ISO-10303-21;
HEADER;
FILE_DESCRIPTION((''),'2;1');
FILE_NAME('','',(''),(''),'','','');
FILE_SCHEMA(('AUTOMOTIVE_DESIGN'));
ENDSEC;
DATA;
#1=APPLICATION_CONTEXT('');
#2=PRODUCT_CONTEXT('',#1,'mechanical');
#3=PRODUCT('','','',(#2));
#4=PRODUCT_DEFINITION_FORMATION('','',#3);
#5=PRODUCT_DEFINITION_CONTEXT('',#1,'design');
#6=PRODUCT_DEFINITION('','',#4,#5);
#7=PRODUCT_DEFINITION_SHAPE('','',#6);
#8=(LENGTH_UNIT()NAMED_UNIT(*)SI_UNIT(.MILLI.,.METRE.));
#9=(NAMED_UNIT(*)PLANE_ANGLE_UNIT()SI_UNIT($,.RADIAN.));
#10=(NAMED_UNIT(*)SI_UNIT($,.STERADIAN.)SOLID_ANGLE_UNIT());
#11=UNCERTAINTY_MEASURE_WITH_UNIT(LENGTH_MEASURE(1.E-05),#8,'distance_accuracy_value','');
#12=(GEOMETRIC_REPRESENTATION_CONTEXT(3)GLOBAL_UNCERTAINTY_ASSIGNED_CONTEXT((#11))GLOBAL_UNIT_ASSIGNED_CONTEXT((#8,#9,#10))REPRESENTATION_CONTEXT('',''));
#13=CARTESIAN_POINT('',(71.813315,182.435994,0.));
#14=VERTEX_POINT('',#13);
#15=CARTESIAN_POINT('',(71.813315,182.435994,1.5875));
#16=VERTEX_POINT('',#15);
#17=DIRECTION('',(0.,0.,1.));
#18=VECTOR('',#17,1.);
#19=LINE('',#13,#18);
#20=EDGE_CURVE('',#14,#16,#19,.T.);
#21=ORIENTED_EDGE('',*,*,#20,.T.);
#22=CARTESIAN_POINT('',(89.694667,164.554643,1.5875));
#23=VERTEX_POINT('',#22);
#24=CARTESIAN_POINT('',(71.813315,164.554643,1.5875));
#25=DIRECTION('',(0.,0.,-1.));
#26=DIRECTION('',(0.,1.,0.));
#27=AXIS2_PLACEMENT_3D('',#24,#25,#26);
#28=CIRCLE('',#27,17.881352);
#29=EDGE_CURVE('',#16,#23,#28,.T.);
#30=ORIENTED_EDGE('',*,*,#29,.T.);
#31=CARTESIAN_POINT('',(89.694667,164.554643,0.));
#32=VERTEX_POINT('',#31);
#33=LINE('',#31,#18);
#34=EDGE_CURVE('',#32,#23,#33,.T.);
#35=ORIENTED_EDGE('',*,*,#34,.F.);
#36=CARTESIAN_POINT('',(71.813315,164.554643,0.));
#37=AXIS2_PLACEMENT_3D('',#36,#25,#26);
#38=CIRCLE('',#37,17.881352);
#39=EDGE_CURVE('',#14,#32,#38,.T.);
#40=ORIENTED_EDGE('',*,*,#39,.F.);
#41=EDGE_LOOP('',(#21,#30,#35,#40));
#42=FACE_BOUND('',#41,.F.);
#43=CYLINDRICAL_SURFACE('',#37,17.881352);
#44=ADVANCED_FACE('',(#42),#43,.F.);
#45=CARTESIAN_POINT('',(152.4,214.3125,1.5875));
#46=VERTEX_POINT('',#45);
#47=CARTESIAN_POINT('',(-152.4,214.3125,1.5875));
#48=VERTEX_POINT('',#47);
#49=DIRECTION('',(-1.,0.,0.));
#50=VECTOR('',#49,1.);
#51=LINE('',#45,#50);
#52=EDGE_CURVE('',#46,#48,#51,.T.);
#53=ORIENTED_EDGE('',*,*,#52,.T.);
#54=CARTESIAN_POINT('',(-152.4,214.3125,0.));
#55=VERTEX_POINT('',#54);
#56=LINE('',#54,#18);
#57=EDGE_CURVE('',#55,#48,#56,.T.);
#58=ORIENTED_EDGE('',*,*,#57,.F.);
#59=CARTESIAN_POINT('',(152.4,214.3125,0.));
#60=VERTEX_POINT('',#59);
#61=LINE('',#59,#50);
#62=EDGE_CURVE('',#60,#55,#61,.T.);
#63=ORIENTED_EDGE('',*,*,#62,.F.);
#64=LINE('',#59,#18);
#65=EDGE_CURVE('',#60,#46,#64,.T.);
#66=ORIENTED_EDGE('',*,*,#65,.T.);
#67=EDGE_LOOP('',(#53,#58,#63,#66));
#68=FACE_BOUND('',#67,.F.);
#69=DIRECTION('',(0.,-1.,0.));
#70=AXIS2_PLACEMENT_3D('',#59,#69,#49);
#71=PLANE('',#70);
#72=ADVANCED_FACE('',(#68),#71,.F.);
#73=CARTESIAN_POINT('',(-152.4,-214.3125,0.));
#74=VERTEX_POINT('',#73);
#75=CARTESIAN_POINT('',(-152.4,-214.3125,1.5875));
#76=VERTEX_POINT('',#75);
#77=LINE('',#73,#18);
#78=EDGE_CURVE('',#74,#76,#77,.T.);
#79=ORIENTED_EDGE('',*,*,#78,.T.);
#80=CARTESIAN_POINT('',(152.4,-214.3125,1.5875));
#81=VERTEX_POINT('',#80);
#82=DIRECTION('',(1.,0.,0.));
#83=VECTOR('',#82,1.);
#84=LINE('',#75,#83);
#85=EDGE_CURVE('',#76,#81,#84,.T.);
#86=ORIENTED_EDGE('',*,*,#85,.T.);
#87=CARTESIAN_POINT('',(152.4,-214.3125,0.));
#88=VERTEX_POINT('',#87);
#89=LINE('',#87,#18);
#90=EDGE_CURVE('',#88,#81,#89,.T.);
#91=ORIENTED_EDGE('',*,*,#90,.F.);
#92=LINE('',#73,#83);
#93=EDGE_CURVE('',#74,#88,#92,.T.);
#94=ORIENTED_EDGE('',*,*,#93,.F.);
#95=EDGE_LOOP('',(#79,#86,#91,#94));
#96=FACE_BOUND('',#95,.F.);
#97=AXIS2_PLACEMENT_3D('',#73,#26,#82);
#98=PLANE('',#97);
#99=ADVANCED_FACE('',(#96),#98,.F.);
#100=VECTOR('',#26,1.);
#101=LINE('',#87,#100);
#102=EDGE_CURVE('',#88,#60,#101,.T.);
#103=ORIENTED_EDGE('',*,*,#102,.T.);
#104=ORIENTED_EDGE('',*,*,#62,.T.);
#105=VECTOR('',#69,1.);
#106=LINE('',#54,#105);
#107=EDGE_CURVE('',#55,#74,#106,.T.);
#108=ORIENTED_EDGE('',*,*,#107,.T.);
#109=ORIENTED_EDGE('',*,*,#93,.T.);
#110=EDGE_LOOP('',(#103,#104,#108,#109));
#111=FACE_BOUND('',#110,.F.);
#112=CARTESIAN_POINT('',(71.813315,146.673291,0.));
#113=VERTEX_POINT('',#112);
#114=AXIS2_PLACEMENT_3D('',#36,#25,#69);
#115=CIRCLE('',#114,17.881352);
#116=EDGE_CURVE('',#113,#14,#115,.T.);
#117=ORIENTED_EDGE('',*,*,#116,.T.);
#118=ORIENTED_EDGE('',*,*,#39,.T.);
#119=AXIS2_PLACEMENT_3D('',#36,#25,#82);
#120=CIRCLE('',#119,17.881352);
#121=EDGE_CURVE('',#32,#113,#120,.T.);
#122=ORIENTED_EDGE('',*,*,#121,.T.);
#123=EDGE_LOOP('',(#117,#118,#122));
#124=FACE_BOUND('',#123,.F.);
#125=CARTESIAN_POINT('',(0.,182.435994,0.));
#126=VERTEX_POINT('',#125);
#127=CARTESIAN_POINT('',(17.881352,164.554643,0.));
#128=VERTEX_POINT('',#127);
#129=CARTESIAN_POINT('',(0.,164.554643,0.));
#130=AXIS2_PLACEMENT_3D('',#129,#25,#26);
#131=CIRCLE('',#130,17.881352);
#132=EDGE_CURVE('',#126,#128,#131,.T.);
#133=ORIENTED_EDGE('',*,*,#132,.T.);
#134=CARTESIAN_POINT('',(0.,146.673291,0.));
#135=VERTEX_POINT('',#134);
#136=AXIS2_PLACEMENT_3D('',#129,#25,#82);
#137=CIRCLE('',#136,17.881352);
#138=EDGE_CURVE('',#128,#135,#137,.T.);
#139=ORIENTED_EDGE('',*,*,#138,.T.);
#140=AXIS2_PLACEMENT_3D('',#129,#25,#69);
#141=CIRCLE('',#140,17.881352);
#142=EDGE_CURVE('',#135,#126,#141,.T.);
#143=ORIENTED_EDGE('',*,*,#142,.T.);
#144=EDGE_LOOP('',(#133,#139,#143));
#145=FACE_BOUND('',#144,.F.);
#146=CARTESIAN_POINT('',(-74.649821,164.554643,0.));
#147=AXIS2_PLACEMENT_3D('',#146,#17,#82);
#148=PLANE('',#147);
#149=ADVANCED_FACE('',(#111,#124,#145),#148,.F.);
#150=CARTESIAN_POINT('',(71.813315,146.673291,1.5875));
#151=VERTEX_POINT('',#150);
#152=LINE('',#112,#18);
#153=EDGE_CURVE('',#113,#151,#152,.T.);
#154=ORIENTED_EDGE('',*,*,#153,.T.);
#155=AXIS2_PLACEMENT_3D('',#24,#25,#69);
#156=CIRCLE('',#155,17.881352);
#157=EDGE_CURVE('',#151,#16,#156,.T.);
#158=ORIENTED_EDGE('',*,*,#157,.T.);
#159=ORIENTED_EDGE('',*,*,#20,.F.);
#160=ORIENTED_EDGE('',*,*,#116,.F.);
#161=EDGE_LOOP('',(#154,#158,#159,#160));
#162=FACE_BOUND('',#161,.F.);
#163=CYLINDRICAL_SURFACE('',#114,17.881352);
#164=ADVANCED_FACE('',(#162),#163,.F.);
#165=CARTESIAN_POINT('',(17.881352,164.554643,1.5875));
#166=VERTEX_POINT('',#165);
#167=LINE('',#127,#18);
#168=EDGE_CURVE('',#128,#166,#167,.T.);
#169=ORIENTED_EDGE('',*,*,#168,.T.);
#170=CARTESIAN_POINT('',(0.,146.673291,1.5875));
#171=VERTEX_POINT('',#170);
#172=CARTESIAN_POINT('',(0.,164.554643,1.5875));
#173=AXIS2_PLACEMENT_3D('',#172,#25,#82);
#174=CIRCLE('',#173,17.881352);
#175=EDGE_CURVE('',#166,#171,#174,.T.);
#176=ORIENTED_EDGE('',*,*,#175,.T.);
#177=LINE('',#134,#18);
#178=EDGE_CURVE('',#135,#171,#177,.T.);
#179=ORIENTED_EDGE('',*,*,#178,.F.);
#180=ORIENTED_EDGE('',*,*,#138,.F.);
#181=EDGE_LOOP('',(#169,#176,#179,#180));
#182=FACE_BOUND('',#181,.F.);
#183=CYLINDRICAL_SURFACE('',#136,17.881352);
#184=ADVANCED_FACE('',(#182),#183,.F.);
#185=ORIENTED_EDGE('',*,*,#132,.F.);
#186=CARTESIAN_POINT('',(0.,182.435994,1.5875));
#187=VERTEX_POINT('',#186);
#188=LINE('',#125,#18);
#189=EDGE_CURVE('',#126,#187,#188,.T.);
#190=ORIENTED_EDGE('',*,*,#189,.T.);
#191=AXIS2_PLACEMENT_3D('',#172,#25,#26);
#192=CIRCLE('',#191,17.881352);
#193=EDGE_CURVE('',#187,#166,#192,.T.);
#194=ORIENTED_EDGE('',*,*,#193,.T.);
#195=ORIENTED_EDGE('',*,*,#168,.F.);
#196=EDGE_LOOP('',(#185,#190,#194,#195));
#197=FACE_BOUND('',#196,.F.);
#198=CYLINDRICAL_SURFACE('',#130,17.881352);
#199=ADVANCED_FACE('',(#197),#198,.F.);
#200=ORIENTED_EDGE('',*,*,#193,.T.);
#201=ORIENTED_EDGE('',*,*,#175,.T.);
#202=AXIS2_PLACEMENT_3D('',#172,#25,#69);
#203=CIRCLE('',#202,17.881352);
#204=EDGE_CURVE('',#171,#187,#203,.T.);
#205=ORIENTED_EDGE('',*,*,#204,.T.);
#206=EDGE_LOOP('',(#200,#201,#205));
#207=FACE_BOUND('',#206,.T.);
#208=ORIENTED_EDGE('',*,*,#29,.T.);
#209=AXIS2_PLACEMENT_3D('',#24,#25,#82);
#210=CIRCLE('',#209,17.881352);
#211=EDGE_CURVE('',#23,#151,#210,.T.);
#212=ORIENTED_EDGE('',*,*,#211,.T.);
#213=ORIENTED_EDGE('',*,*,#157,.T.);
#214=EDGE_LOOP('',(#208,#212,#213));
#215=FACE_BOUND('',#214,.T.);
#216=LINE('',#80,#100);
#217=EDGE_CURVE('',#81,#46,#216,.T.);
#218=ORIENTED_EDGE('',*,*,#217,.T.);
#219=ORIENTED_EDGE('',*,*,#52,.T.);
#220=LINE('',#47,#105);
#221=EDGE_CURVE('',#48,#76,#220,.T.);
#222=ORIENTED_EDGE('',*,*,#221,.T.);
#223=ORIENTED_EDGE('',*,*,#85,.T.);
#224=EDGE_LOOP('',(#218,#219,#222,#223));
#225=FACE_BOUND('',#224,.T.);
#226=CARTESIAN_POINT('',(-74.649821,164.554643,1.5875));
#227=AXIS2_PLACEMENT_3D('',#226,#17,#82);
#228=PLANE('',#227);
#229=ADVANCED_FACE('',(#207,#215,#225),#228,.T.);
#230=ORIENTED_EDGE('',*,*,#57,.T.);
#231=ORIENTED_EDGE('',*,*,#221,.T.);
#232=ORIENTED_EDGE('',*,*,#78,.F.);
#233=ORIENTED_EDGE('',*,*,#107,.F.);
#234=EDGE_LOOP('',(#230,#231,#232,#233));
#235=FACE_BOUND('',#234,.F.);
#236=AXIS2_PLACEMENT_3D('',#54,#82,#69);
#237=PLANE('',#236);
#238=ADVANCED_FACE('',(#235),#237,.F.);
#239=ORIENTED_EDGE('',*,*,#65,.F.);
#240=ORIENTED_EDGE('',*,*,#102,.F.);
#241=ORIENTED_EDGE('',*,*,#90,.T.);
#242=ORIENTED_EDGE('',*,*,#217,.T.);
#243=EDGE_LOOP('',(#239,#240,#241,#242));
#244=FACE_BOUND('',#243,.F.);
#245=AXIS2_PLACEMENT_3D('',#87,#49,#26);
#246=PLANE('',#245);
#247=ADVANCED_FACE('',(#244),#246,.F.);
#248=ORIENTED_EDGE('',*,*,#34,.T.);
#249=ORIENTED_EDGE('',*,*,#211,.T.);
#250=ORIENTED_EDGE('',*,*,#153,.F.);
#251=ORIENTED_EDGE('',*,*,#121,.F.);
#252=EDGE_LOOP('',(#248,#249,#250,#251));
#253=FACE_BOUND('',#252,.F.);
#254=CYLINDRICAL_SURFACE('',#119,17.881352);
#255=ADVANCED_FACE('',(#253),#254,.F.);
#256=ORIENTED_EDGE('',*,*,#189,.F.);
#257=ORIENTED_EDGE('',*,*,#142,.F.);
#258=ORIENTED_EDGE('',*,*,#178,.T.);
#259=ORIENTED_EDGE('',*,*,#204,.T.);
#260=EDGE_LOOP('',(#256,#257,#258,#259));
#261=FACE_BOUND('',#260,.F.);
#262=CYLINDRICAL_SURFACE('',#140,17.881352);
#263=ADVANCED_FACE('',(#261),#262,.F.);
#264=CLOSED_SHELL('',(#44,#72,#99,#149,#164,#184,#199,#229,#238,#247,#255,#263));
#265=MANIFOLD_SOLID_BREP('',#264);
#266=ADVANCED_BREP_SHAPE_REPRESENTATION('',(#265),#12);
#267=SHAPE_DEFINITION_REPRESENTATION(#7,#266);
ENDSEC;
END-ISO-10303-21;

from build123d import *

# Parameters (mm, degrees)
F1_DEPTH = 1.5875


with BuildPart() as f1:
    # F0 (on Top) → F1 (new body)
    with BuildSketch(Plane.XY):
        with BuildLine():
            Line((0, 214.3125), (-152.4, 214.3125))
            Line((-152.4, 214.3125), (-152.4, 114.7967853308))
            Line((-152.4, 114.7967853308), (0, 114.7967853308))
            Line((0, 114.7967853308), (0, 146.6732910332))
            ThreePointArc((0, 146.6732910332), (-17.8813516322, 164.5546426654), (0, 182.4359942976))
            Line((0, 182.4359942976), (0, 214.3125))
        make_face()
        with BuildLine():
            Line((71.8133151531, 214.3125), (0, 214.3125))
            Line((0, 214.3125), (0, 182.4359942976))
            ThreePointArc((0, 182.4359942976), (12.6440249959, 177.1986676613), (17.8813516322, 164.5546426654))
            ThreePointArc((17.8813516322, 164.5546426654), (12.6440249959, 151.9106176695), (0, 146.6732910332))
            Line((0, 146.6732910332), (0, 114.7967853308))
            Line((0, 114.7967853308), (71.8133151531, 114.7967853308))
            Line((71.8133151531, 114.7967853308), (71.8133151531, 146.6732910332))
            ThreePointArc((71.8133151531, 146.6732910332), (53.9319635209, 164.5546426654), (71.8133151531, 182.4359942976))
            Line((71.8133151531, 182.4359942976), (71.8133151531, 214.3125))
        make_face()
        with BuildLine():
            Line((152.4, 214.3125), (71.8133151531, 214.3125))
            Line((71.8133151531, 214.3125), (71.8133151531, 182.4359942976))
            ThreePointArc((71.8133151531, 182.4359942976), (84.457340149, 177.1986676613), (89.6946667853, 164.5546426654))
            ThreePointArc((89.6946667853, 164.5546426654), (84.457340149, 151.9106176695), (71.8133151531, 146.6732910332))
            Line((71.8133151531, 146.6732910332), (71.8133151531, 114.7967853308))
            Line((71.8133151531, 114.7967853308), (152.4, 114.7967853308))
            Line((152.4, 114.7967853308), (152.4, 214.3125))
        make_face()
        Polygon((0, 114.7967853308), (-152.4, 114.7967853308), (-152.4, -214.3125), (152.4, -214.3125), (152.4, 114.7967853308), (71.8133151531, 114.7967853308), align=None)
    extrude(amount=F1_DEPTH)


solid = f1.part
